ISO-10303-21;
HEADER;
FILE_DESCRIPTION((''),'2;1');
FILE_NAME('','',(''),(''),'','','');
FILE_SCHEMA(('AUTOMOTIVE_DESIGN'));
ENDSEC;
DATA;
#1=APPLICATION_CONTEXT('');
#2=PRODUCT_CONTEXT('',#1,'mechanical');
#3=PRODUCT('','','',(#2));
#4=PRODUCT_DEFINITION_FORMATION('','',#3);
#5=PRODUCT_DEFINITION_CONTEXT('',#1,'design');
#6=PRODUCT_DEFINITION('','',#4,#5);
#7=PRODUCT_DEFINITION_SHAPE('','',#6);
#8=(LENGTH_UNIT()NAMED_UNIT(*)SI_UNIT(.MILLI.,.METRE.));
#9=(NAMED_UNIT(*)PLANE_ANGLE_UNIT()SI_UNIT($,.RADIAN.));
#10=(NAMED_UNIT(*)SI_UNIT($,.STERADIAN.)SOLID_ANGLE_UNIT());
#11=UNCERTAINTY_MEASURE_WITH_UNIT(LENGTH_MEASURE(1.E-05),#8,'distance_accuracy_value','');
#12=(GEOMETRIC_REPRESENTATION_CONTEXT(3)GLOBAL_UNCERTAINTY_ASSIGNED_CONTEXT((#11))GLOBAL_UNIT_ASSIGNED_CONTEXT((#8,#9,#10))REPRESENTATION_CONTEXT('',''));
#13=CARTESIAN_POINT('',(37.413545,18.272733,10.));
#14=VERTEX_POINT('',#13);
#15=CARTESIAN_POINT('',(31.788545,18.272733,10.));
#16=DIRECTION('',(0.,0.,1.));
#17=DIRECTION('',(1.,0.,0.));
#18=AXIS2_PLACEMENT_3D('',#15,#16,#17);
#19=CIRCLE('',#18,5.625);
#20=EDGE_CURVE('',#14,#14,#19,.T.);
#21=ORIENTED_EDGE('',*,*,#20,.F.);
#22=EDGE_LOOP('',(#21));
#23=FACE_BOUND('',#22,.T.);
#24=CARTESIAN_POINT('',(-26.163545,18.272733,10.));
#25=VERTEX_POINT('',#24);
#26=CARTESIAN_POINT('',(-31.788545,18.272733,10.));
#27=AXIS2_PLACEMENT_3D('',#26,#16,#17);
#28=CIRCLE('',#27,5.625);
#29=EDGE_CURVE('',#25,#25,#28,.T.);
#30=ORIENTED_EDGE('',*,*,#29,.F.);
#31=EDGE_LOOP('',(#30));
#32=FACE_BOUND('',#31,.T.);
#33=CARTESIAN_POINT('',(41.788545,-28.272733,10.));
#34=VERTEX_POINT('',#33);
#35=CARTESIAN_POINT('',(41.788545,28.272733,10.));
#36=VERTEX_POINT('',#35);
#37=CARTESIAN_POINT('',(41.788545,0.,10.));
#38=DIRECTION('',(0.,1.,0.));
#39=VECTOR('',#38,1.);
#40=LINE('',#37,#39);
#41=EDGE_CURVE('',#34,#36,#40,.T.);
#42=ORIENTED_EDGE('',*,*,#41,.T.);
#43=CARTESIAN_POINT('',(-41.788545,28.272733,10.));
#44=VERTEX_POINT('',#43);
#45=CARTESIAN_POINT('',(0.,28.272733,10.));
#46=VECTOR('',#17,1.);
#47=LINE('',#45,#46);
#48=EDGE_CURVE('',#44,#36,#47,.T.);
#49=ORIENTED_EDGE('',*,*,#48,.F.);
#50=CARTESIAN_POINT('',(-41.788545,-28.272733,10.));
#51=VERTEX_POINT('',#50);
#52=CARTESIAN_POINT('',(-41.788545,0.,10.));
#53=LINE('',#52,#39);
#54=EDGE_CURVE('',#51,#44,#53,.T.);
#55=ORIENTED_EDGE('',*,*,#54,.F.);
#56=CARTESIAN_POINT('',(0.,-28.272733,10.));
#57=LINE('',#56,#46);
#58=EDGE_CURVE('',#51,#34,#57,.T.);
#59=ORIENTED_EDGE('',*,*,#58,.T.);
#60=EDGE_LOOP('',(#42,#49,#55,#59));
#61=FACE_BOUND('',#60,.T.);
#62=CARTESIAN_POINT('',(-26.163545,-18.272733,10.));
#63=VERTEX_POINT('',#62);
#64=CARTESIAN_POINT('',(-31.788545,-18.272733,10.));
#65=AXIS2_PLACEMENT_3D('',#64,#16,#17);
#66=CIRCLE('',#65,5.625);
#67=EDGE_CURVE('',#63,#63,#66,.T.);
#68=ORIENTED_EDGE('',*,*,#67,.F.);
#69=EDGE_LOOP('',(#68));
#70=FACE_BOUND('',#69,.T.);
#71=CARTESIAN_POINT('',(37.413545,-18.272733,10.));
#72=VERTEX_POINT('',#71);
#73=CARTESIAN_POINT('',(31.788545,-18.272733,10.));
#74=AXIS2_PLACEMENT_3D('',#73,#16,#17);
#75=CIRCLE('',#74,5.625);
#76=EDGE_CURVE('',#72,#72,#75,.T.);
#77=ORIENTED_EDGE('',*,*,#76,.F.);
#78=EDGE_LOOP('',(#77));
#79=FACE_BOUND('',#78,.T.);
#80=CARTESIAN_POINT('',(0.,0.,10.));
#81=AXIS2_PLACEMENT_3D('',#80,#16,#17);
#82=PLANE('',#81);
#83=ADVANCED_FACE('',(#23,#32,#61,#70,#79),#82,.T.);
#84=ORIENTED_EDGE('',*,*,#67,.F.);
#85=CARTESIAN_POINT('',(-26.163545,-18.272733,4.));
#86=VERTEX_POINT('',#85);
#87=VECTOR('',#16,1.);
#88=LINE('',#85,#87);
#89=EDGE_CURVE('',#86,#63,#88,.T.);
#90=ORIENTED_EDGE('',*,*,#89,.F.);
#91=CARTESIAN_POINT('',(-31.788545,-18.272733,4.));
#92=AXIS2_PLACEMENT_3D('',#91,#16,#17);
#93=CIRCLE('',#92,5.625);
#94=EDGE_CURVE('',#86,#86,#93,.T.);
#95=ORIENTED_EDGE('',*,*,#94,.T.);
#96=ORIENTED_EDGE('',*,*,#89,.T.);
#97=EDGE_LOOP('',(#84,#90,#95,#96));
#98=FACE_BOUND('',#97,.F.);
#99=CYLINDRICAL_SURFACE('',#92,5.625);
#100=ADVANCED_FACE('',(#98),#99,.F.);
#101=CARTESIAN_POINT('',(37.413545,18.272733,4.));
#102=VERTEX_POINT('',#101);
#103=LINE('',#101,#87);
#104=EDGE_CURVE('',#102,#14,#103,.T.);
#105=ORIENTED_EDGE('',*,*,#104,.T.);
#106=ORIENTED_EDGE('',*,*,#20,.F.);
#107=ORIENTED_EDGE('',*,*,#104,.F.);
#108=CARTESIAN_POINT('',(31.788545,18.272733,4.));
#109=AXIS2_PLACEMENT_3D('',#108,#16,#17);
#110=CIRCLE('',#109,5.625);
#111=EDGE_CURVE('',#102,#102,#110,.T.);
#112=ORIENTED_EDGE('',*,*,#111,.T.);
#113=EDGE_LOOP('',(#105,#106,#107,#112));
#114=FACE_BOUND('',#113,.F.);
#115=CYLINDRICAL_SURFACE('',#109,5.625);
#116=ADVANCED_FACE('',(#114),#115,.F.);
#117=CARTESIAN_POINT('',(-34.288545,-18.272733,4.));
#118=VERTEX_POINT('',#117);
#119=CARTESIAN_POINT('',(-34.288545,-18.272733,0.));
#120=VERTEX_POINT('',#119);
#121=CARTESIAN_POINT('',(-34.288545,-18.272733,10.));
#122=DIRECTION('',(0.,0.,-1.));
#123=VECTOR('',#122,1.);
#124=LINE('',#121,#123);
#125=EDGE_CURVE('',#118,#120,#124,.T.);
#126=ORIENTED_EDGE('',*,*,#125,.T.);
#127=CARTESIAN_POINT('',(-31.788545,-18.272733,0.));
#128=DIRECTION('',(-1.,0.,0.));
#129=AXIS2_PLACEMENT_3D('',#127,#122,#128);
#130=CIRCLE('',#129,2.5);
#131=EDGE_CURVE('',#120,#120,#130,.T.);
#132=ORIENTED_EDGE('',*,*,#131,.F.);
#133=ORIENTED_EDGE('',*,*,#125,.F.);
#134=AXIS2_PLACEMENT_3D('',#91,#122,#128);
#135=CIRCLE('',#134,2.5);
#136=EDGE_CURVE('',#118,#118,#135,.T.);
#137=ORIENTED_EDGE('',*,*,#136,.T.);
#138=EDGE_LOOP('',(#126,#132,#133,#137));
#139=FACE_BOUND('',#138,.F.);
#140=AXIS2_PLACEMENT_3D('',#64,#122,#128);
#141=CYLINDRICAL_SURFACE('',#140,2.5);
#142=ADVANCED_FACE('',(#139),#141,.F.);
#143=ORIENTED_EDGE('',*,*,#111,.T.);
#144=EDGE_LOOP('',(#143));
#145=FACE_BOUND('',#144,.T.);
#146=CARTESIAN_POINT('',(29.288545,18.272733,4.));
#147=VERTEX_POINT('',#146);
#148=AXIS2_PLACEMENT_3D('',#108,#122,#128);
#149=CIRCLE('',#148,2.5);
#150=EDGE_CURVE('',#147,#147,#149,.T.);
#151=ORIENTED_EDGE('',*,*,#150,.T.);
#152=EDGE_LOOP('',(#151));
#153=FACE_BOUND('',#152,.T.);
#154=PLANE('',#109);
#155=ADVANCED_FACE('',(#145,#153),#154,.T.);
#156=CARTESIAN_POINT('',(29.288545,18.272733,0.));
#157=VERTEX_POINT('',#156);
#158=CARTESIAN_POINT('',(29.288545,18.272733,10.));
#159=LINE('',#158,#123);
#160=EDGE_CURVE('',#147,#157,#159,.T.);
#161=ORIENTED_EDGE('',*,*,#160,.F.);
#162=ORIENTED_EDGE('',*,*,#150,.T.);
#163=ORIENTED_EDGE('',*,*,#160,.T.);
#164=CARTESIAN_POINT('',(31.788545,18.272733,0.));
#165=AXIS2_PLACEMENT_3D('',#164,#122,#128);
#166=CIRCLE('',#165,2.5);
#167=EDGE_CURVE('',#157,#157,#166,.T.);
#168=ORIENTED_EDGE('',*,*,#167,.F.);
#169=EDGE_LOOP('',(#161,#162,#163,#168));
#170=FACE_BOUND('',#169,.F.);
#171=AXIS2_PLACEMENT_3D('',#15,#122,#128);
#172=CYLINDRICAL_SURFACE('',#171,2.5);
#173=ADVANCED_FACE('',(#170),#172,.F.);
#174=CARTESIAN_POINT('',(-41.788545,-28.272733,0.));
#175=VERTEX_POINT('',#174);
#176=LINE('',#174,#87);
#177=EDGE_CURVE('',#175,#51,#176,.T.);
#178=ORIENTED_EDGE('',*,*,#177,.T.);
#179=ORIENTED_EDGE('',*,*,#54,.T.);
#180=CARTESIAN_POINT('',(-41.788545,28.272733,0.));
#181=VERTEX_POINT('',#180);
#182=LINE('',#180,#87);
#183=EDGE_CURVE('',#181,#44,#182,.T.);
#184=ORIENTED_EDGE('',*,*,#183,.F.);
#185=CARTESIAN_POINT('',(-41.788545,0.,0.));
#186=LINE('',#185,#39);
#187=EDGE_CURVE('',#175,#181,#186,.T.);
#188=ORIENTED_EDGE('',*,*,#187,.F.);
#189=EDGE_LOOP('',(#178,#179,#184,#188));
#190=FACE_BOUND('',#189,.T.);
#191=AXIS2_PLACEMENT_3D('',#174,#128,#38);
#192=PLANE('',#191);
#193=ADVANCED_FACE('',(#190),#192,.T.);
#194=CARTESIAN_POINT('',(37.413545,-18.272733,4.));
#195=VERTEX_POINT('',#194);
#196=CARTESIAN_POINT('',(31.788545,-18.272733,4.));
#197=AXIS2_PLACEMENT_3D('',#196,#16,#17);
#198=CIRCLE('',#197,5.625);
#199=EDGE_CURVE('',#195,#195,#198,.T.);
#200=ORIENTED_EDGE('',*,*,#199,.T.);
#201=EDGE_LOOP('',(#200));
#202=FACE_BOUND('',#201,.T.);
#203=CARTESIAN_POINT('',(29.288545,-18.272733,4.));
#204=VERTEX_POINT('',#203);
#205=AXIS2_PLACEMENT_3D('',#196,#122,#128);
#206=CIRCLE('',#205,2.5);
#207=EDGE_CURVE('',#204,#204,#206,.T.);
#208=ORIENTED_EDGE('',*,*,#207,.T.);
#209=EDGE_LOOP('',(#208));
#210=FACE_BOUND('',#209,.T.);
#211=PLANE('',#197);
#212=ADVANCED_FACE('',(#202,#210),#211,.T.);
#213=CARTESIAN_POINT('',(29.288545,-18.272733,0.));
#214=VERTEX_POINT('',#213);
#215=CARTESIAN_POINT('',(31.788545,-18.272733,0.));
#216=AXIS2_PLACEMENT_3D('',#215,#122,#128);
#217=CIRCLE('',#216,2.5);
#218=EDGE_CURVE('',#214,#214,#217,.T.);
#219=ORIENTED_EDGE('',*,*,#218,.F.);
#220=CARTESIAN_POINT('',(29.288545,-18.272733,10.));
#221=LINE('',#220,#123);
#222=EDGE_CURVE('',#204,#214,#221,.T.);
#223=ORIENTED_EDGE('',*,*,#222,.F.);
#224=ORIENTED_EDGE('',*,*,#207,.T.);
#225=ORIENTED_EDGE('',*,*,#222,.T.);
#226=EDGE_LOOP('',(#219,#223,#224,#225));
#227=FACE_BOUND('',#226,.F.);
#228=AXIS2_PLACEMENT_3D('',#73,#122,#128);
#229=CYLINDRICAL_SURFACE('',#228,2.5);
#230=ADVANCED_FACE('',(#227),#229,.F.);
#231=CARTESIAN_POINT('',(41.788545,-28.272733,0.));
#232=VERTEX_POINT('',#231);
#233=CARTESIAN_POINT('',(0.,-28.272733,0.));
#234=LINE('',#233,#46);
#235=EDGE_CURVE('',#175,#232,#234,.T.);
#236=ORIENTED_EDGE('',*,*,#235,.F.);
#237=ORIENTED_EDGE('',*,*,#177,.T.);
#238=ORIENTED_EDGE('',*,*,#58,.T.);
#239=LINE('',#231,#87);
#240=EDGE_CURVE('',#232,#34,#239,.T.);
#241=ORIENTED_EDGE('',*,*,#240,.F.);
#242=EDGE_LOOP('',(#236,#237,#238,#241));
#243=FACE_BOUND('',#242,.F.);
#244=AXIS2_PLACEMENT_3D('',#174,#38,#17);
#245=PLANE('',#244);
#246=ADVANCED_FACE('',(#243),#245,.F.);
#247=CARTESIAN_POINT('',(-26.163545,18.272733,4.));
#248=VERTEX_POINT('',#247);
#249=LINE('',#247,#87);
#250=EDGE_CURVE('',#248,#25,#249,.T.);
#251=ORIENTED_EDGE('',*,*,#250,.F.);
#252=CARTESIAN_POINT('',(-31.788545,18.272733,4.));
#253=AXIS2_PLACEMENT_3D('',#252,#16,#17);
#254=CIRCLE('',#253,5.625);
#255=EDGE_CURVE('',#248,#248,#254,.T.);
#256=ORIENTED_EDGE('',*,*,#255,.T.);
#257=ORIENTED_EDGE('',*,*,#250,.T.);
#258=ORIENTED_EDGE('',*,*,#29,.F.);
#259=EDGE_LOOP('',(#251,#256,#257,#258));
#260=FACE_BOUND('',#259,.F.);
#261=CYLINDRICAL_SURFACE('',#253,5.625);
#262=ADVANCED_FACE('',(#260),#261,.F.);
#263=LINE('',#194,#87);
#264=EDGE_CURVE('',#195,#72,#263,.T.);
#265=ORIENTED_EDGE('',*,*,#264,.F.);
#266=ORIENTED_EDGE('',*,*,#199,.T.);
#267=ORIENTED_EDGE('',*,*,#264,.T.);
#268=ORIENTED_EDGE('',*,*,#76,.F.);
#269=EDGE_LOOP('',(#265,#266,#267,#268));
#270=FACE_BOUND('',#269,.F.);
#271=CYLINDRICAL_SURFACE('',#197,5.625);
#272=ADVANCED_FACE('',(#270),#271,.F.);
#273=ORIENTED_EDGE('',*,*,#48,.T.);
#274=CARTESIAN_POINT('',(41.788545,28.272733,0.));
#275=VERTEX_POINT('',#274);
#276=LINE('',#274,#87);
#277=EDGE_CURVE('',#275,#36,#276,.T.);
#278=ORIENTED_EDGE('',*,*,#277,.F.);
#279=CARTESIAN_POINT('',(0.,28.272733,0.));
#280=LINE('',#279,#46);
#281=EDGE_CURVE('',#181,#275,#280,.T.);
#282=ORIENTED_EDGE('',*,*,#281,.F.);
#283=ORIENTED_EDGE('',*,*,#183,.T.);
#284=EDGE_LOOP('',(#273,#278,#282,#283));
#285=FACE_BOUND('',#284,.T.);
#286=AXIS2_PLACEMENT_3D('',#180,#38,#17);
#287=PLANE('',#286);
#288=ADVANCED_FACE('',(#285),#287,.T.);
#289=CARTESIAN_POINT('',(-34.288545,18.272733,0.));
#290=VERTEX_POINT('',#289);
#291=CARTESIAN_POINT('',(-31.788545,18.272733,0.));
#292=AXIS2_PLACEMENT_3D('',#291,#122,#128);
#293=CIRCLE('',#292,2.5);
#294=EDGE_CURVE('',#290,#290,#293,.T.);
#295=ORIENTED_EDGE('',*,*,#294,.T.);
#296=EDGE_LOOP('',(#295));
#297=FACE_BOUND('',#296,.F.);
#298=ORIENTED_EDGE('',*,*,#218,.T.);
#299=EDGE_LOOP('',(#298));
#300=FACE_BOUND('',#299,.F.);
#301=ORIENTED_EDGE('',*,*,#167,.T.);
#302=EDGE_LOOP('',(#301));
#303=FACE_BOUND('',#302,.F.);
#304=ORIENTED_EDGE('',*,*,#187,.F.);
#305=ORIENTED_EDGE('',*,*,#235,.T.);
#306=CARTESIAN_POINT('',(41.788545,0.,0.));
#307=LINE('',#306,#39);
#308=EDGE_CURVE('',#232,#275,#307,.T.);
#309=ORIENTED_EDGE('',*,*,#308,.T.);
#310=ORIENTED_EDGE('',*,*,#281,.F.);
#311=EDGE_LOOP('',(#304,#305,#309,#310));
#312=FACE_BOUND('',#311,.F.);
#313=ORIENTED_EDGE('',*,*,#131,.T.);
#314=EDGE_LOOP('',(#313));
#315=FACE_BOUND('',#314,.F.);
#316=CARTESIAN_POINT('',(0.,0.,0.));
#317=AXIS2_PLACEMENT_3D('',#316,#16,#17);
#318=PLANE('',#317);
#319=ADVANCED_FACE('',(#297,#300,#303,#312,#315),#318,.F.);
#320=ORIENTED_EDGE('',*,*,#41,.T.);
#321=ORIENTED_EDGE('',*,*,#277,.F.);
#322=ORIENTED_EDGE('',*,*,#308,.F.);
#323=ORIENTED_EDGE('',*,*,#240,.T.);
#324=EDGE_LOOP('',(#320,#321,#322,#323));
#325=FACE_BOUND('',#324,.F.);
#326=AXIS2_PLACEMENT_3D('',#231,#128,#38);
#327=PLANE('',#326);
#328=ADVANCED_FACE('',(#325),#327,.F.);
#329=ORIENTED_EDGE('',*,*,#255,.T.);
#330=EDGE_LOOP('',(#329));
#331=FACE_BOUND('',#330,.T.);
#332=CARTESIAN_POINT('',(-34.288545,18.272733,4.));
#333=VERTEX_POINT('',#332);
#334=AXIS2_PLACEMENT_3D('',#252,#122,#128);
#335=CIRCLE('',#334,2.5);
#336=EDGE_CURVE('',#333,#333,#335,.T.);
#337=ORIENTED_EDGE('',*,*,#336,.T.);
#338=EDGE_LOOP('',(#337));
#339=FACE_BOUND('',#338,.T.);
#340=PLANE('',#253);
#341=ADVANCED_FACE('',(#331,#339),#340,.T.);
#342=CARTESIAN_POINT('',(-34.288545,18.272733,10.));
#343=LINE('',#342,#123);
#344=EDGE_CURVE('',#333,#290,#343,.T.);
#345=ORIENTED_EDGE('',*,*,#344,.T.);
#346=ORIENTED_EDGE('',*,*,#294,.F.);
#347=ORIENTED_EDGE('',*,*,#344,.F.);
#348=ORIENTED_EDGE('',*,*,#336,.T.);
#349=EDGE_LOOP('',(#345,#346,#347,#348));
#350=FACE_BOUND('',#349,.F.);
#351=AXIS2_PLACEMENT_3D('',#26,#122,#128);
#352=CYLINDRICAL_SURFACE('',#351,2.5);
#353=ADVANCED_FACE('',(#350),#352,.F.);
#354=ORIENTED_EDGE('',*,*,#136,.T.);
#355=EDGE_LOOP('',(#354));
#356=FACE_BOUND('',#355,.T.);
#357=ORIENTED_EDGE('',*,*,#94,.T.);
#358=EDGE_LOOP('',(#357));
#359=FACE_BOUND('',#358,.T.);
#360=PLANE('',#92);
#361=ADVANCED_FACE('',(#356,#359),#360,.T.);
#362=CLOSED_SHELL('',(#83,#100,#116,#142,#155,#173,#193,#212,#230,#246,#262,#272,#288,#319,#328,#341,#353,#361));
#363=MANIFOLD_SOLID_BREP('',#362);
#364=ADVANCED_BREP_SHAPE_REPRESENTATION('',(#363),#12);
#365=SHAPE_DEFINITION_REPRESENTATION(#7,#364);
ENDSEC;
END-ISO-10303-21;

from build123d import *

# Parameters (mm, degrees)
F0_W           = 83.5770890117
F0_H           = 56.5454661846
F1_DEPTH       = 10
F3_D           = 5
F3_CBORE_D     = 11.25
F3_CBORE_DEPTH = 6


with BuildPart() as f1:
    # F0 (on Top) → F1 (new body)
    with BuildSketch(Plane.XY):
        Rectangle(F0_W, F0_H)
    extrude(amount=F1_DEPTH)

    # F3 (through all)
    with Locations(Plane.XY.offset(10)):
        with Locations((-31.7885445058, 18.2727330923), (31.7885445058, 18.2727330923), (31.7885445058, -18.2727330923), (-31.7885445058, -18.2727330923)):
            CounterBoreHole(F3_D / 2, F3_CBORE_D / 2, F3_CBORE_DEPTH)


solid = f1.part
